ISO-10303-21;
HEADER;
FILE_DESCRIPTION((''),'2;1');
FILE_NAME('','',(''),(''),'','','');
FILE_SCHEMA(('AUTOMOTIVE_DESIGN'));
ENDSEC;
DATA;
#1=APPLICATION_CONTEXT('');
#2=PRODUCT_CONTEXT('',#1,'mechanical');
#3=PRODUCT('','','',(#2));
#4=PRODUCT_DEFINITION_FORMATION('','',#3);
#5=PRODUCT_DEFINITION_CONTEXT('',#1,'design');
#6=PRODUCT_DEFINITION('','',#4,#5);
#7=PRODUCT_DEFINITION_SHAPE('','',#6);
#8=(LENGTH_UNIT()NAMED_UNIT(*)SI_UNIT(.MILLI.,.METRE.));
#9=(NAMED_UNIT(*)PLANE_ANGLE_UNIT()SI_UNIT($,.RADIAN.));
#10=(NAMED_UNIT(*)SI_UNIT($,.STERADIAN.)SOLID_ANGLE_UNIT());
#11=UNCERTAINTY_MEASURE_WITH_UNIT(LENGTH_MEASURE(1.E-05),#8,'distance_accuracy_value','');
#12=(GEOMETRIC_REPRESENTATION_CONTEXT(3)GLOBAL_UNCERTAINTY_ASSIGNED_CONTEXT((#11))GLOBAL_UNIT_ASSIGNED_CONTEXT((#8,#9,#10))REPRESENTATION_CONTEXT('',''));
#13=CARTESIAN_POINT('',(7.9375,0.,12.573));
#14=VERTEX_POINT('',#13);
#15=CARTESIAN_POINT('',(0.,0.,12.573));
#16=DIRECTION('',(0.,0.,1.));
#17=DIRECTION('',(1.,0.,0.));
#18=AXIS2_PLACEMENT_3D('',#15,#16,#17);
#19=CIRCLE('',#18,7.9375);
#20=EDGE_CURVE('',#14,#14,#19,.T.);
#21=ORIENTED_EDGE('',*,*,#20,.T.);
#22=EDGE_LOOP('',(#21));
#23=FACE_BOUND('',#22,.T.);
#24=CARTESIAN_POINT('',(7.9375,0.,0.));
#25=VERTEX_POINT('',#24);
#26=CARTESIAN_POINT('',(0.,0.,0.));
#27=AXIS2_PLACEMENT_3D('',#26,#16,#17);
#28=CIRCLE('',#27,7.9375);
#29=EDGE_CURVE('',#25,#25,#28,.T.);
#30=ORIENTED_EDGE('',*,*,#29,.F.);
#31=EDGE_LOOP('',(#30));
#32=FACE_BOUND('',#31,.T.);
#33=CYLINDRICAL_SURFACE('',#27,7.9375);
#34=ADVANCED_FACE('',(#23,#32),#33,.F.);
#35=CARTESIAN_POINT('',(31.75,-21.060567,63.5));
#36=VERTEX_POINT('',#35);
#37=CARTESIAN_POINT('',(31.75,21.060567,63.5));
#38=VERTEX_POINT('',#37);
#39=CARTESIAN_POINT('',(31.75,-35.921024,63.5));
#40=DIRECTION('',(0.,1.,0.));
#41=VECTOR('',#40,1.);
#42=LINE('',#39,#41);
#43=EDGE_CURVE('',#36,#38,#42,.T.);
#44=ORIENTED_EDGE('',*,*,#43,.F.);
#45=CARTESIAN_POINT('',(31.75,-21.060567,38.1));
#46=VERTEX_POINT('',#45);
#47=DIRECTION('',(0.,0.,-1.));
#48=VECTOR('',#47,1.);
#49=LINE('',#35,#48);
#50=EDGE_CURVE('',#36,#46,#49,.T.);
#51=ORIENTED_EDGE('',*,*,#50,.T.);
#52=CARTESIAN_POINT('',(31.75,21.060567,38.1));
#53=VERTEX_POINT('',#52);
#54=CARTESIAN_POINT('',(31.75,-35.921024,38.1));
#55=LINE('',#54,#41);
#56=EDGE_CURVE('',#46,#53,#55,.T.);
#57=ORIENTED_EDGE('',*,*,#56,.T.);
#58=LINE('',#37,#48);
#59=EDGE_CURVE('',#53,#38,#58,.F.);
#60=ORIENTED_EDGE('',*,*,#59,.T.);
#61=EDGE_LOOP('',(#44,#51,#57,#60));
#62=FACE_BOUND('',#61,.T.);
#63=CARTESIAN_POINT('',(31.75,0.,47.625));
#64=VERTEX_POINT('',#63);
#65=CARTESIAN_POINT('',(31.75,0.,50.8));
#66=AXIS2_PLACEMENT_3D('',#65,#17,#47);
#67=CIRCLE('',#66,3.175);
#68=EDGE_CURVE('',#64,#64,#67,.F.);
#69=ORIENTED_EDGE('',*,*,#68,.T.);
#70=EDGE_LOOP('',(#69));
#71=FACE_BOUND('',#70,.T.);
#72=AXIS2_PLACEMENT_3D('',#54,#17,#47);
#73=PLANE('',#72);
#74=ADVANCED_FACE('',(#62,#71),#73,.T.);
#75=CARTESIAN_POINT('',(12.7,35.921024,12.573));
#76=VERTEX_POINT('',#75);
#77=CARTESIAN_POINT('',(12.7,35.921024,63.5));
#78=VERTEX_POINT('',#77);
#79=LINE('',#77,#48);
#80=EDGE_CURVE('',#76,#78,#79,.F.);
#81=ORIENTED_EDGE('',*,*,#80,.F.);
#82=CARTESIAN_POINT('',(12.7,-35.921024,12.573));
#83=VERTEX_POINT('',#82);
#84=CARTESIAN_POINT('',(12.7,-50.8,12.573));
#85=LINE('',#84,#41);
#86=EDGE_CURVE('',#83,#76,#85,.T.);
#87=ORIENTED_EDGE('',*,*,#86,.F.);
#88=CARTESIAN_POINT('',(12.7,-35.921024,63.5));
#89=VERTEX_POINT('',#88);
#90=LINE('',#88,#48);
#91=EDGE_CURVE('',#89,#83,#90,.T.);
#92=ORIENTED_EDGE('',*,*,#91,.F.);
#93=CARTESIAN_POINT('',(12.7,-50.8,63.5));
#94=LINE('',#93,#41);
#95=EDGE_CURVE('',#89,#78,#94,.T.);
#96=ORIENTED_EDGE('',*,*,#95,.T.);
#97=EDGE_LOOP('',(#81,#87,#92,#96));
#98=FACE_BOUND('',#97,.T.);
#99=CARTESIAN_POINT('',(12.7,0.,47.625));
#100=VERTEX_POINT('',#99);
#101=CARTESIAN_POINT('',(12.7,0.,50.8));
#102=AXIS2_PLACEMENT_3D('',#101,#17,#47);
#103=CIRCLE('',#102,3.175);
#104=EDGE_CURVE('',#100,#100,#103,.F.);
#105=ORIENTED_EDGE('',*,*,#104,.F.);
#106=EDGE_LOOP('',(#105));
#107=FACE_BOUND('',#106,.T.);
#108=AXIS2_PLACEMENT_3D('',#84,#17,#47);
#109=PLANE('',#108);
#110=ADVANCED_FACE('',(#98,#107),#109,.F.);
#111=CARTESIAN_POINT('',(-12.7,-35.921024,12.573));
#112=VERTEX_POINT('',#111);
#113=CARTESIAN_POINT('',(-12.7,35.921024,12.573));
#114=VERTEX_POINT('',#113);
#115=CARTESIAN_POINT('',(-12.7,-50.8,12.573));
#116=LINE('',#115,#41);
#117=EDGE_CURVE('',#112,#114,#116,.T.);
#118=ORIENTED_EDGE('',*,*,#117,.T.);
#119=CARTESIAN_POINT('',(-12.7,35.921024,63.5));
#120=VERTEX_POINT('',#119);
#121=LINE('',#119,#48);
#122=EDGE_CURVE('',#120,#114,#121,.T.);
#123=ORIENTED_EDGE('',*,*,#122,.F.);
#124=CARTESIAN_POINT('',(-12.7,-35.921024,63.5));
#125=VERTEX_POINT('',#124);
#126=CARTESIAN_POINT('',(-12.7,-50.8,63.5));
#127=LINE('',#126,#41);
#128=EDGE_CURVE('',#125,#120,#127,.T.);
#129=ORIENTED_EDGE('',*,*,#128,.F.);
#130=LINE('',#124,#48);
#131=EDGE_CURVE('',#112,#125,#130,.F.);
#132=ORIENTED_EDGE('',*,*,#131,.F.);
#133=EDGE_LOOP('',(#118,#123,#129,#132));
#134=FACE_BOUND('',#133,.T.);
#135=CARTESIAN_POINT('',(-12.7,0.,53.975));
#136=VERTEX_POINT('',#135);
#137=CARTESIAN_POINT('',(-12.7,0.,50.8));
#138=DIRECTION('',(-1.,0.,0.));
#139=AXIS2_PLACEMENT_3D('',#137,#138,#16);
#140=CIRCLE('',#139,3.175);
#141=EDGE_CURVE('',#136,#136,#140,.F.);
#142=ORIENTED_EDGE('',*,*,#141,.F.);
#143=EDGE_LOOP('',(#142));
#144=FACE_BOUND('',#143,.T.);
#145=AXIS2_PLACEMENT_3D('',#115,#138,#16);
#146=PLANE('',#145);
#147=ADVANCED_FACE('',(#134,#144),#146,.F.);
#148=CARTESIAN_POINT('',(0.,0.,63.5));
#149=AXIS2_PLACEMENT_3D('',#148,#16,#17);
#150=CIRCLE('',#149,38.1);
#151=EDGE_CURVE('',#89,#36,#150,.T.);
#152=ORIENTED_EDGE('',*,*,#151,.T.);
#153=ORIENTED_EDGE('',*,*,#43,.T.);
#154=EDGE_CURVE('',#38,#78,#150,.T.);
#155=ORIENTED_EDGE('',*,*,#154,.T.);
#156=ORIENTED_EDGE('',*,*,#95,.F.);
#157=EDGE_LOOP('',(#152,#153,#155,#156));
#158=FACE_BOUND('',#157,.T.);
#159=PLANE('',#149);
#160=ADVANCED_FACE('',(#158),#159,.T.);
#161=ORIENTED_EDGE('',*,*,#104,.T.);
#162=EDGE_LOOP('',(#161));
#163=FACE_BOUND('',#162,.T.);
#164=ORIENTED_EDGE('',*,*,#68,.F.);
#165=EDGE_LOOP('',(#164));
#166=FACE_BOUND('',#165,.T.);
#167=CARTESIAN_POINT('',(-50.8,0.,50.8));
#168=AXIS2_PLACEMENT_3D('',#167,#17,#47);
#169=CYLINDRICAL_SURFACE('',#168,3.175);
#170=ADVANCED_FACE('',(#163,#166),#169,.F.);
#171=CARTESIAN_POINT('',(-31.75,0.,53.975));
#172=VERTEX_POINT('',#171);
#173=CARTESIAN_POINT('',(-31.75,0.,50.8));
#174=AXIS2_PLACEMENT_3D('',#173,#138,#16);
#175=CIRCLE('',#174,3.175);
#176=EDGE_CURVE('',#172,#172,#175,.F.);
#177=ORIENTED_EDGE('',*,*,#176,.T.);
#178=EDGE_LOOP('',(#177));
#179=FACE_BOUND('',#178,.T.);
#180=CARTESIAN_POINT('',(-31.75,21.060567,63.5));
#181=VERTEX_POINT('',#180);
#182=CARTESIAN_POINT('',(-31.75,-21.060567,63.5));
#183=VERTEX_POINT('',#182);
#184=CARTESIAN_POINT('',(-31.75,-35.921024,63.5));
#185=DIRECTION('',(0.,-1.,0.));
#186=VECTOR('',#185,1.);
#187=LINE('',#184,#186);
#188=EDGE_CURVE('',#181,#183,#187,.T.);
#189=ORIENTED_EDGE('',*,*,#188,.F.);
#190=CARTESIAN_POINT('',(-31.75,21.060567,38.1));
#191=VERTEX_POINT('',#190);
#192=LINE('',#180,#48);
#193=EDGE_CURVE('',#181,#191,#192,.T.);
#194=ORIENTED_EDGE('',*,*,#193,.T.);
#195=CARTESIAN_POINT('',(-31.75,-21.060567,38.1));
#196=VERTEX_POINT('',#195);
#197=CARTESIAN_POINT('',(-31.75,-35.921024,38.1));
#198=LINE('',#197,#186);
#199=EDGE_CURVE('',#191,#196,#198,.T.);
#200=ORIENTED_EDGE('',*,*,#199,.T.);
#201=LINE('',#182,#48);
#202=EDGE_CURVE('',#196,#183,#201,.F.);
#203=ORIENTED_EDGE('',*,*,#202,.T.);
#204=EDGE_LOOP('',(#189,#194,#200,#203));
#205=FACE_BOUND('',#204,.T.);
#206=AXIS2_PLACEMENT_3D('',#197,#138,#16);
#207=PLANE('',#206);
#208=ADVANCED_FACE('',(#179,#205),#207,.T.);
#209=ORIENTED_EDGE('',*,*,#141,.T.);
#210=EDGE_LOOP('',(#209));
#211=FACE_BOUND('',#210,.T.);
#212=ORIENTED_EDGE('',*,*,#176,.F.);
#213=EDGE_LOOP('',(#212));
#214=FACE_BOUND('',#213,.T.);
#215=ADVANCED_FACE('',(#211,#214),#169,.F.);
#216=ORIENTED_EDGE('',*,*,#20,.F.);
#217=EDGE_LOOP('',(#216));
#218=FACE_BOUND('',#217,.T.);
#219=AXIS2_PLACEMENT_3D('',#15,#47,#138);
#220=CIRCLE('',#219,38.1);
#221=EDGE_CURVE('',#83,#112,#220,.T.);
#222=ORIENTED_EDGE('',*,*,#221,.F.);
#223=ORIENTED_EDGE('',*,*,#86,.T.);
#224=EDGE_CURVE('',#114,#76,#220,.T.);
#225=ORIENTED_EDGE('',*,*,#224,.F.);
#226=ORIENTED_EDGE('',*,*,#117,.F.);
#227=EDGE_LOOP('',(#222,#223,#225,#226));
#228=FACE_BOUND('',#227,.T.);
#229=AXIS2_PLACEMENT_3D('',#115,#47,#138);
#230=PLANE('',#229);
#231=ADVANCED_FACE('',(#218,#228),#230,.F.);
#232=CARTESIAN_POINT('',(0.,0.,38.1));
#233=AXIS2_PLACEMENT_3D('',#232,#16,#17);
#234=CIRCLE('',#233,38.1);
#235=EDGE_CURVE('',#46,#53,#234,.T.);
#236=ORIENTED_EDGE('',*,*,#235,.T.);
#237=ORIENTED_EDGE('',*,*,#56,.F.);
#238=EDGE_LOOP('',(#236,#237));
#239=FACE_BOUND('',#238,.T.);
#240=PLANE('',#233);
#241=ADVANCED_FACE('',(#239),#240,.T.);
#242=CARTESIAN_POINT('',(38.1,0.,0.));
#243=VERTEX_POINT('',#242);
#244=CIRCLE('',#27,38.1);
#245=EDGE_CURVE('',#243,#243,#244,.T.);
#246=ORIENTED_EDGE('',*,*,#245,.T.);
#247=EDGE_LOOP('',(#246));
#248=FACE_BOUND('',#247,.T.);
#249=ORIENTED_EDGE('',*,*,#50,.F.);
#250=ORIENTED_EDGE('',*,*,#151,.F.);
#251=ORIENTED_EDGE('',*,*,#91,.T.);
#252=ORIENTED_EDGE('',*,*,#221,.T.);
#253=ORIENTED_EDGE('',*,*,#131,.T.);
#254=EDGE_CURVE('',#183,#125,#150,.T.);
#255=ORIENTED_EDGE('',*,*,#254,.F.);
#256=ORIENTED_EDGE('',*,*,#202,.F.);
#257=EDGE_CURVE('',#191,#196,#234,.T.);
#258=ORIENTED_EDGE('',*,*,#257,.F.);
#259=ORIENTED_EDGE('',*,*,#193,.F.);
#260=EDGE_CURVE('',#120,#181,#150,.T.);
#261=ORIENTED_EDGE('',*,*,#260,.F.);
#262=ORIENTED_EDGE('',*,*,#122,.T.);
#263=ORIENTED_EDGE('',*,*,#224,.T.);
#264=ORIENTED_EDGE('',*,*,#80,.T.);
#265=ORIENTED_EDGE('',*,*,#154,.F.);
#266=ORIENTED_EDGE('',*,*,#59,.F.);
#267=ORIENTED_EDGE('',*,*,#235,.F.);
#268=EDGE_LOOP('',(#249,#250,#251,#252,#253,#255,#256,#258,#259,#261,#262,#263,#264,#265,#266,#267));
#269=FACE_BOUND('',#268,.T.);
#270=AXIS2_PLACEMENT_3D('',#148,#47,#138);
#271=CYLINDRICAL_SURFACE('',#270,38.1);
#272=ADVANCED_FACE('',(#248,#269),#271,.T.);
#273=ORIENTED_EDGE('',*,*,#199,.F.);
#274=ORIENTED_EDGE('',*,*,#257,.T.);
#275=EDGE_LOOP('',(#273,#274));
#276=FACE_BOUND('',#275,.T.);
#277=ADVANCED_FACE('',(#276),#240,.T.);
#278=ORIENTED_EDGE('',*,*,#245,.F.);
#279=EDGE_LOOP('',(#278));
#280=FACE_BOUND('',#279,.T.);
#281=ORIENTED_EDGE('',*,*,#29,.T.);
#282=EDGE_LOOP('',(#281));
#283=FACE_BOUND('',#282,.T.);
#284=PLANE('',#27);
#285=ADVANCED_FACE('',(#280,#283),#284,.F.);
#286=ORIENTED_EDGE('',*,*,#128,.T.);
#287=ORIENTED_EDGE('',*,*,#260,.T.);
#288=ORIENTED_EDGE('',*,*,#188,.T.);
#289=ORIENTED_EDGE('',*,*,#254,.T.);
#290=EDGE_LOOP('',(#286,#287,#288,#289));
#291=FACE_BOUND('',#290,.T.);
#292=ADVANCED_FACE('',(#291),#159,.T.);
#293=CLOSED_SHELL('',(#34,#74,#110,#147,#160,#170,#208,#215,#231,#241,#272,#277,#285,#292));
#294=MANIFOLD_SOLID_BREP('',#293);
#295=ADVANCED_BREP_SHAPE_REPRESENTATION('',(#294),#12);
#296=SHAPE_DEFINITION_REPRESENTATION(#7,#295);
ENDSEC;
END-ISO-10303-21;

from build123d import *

# Parameters (mm, degrees)
SKETCH1_R                                = 38.1
OD_DON_T_CARE_DEPTH                      = 63.5
SKETCH2_R                                = 3.175
F_2X_1_4_THROUGH_HOLE_DEPTH              = 50.8
SKETCH3_W                                = 25.4
SKETCH3_H                                = 50.927
SLOT_DEPTH                               = 50.8
SKETCH4_R                                = 7.9375
F_5_8_THROUGH_HOLE_DEPTH                 = 75.140268103
SKETCH5_OUTSIDE_W                        = 103.216
SKETCH5_OUTSIDE_H                        = 103.216
SKETCH5_OUTSIDE_W_2                      = 63.5
SKETCH5_OUTSIDE_H_2                      = 71.842048968
FLAT_SURFACE_FOR_3_4_LONG_SHOULDER_DEPTH = 25.4


with BuildPart() as part:
    # Sketch1 → OD Don't Care (new body)
    with BuildSketch(Plane.XY):
        Circle(SKETCH1_R)
    extrude(amount=OD_DON_T_CARE_DEPTH)

    # Sketch2 → 2x 1/4" Through Hole (cut, symmetric)
    with BuildSketch(Plane(origin=(0, 0, 0), x_dir=(0, 0, -1), z_dir=(1, 0, 0))):
        with Locations(Location((-50.8, 0, 0), (0, 0, 180))):
            Circle(SKETCH2_R)
    extrude(amount=F_2X_1_4_THROUGH_HOLE_DEPTH, both=True, mode=Mode.SUBTRACT)

    # Sketch3 → Slot (cut, symmetric)
    with BuildSketch(Plane(origin=(0, 0, 0), x_dir=(1, 0, 0), z_dir=(0, 1, 0))):
        with Locations((0, -38.0365)):
            Rectangle(SKETCH3_W, SKETCH3_H)
    extrude(amount=SLOT_DEPTH, both=True, mode=Mode.SUBTRACT)

    # Sketch4 → 5/8" Through Hole (cut, through all)
    with BuildSketch(Plane.XY.offset(12.573)):
        Circle(SKETCH4_R)
    extrude(amount=-F_5_8_THROUGH_HOLE_DEPTH, mode=Mode.SUBTRACT)

    # Sketch5 outside → Flat Surface for 3/4" Long Shoulder (cut)
    with BuildSketch(Plane.XY.offset(63.5)):
        Rectangle(SKETCH5_OUTSIDE_W, SKETCH5_OUTSIDE_H)
        Rectangle(SKETCH5_OUTSIDE_W_2, SKETCH5_OUTSIDE_H_2, mode=Mode.SUBTRACT)
    extrude(amount=-FLAT_SURFACE_FOR_3_4_LONG_SHOULDER_DEPTH, mode=Mode.SUBTRACT)


solid = part.part
